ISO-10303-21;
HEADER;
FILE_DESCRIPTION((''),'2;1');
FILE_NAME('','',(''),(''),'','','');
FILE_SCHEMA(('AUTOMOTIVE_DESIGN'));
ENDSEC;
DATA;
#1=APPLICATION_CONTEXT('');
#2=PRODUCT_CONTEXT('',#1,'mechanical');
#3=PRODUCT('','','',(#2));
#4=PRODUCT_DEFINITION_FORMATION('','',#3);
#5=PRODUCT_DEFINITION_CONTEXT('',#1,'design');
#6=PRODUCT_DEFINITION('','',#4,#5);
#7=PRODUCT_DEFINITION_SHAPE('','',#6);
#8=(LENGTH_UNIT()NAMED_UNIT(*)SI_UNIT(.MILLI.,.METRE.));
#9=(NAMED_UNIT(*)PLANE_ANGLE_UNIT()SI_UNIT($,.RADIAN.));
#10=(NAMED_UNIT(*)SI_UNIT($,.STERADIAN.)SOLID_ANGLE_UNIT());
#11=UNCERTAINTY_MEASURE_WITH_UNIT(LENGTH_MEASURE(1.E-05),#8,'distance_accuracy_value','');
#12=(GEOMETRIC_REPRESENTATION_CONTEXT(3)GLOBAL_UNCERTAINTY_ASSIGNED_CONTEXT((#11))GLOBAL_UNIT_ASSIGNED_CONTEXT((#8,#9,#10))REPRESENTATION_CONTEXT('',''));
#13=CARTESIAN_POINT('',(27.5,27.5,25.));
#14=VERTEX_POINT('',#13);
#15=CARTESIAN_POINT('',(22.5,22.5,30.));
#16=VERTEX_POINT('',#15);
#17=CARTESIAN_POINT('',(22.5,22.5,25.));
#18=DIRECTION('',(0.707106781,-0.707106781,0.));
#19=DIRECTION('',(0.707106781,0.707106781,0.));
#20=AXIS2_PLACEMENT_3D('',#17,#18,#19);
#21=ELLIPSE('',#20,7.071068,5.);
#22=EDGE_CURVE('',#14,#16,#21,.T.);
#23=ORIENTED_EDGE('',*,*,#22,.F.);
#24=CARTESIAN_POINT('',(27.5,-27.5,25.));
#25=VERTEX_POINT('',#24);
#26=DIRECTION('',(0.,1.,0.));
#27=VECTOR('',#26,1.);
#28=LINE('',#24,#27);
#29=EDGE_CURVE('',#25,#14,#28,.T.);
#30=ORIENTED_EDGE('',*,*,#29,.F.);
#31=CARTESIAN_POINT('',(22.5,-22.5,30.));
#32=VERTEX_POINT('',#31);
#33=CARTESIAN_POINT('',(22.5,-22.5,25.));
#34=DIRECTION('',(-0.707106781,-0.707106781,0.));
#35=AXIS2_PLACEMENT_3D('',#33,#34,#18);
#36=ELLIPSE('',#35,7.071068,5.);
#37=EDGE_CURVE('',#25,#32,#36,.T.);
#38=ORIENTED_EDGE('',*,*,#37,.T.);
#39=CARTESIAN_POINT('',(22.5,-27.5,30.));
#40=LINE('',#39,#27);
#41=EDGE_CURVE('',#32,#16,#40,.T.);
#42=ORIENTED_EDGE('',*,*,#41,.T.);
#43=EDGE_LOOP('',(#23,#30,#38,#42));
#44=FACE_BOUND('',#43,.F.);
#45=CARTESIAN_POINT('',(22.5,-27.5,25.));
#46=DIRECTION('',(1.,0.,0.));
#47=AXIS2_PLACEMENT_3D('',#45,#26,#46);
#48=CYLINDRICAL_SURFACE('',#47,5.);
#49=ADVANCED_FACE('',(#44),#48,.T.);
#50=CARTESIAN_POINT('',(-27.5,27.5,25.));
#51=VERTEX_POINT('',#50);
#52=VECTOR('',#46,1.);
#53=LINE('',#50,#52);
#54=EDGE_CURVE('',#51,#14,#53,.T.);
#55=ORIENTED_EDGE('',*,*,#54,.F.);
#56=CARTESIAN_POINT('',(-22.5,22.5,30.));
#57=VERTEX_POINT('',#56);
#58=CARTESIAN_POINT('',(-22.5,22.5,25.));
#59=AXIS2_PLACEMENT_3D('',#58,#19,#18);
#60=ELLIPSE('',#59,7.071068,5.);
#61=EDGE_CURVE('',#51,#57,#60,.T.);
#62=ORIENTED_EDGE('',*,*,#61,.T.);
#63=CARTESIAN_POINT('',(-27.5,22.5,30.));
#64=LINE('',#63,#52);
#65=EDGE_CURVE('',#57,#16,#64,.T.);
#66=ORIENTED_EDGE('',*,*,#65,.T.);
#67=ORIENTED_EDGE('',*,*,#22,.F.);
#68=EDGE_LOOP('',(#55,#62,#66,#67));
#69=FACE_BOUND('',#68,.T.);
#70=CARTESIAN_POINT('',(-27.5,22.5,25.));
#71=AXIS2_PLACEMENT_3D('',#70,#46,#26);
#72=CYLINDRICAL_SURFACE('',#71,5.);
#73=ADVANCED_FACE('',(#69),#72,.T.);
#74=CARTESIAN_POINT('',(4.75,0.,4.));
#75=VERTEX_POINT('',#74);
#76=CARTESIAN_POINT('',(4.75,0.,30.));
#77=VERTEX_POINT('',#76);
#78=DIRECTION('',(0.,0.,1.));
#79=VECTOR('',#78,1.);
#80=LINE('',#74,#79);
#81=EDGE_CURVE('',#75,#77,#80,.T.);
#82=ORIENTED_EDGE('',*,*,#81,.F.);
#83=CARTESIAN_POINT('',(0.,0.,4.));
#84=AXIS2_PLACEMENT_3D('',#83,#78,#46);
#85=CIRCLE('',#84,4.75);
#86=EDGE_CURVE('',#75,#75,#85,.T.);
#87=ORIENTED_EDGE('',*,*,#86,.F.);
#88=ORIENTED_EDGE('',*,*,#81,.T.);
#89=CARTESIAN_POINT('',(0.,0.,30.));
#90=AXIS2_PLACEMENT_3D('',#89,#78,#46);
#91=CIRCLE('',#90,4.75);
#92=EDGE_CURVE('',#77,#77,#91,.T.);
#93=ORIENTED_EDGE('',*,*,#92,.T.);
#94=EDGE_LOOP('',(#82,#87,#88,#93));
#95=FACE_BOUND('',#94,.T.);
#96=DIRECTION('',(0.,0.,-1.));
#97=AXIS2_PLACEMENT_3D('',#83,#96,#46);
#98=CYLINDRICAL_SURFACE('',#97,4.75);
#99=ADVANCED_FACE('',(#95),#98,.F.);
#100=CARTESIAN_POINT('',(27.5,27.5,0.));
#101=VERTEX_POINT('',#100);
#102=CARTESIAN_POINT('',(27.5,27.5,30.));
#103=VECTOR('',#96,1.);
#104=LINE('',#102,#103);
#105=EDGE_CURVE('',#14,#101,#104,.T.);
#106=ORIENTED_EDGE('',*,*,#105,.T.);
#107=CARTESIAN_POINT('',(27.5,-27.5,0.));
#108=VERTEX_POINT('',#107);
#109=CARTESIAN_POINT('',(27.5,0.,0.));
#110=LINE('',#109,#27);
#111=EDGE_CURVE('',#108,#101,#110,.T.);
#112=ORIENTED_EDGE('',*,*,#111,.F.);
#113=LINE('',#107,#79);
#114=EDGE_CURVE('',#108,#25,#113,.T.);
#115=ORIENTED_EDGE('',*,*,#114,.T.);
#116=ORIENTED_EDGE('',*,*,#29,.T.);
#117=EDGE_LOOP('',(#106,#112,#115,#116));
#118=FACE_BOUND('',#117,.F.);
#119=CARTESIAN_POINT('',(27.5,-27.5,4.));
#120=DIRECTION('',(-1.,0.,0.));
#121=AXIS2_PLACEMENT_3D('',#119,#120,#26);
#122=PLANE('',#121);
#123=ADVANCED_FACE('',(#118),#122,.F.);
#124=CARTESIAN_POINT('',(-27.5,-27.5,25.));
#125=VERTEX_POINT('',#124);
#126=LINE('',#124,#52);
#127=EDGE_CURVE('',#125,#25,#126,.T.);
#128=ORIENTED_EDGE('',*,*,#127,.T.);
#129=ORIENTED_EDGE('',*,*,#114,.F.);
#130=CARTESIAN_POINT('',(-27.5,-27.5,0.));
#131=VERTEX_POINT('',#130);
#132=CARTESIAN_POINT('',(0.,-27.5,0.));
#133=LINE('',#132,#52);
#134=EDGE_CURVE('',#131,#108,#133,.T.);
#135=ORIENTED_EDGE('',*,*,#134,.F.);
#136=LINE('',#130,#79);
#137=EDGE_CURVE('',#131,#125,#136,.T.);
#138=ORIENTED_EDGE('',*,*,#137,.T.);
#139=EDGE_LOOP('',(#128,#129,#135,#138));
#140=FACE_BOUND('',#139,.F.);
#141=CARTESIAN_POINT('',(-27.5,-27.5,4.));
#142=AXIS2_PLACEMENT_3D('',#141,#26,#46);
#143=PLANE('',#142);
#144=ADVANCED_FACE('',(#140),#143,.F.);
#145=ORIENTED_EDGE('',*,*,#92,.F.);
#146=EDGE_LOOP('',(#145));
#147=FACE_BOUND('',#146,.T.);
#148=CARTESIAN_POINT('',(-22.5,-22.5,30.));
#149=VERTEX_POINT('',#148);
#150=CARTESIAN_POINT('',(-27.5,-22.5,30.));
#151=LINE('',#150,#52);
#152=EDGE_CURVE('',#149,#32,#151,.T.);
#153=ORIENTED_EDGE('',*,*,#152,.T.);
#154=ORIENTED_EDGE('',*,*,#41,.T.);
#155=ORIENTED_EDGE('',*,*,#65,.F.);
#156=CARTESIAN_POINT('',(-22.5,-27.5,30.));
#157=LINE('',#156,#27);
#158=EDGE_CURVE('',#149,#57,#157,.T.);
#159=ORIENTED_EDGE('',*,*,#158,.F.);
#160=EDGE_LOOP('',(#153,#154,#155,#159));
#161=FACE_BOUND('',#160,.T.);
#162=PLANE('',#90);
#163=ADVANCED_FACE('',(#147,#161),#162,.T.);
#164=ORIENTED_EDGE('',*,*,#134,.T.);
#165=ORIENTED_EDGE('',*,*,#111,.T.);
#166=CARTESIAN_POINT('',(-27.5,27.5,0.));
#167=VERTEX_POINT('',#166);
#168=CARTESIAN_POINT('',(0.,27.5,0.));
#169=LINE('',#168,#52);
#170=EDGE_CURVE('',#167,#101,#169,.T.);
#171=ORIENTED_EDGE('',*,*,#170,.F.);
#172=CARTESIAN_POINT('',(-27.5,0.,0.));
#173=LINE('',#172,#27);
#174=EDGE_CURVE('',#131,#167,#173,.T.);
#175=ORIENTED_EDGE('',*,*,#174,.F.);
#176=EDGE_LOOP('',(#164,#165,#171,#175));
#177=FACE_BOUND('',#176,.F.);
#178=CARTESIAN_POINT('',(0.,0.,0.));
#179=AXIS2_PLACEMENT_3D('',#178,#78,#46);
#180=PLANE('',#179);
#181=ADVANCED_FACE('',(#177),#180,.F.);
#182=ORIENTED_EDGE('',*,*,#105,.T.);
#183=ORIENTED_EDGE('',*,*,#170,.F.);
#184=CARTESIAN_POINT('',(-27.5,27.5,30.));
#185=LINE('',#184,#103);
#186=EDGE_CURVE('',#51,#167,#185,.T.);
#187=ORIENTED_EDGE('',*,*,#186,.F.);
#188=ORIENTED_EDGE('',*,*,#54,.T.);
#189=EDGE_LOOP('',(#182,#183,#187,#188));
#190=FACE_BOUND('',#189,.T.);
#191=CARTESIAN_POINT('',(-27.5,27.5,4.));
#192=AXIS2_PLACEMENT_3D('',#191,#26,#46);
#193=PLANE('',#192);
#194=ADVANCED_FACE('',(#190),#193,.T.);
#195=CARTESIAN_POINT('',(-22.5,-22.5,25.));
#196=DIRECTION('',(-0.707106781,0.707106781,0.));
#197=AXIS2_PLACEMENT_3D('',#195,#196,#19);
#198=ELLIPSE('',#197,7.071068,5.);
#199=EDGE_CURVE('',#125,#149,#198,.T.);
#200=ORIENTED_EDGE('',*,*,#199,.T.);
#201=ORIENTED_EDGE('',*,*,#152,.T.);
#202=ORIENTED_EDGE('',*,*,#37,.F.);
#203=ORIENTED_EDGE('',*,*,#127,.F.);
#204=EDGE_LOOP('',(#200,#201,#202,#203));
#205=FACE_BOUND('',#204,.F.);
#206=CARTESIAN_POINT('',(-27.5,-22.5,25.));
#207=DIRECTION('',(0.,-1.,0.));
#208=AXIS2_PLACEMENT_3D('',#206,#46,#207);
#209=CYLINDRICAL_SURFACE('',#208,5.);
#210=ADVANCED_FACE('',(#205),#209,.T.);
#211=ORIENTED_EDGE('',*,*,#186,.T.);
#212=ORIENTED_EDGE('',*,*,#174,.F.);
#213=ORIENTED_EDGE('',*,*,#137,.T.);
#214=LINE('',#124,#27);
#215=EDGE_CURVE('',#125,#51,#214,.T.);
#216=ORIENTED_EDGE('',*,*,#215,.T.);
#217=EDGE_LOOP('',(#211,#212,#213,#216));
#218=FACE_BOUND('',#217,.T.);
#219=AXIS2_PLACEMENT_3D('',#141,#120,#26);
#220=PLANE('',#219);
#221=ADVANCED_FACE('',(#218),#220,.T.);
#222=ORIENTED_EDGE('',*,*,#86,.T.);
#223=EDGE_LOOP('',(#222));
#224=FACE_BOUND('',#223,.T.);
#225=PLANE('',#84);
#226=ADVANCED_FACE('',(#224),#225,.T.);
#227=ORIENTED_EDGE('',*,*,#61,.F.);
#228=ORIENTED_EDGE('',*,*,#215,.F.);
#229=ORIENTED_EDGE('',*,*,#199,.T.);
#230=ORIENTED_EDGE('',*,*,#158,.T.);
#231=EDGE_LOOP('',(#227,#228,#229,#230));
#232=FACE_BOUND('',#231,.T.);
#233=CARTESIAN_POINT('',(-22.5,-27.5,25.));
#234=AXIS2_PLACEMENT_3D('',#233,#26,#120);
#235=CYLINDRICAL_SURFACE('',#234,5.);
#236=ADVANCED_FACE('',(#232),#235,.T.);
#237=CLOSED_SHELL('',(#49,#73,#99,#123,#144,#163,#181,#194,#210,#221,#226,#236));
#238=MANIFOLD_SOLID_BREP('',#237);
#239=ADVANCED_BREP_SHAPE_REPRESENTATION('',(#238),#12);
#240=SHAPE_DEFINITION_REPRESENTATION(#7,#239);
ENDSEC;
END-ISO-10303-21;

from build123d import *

# Parameters (mm, degrees)
F0_W     = 55
F0_H     = 55
F1_DEPTH = 4
F2_W     = 55
F2_H     = 55
F2_R     = 4.75
F3_DEPTH = 26
F4_R     = 5


with BuildPart() as f1:
    # F0 (on Top) → F1 (new body)
    with BuildSketch(Plane.XY):
        Rectangle(F0_W, F0_H)
    extrude(amount=F1_DEPTH)

    # F2 (on face) → F3 (join)
    with BuildSketch(Plane.XY.offset(4)):
        Rectangle(F2_W, F2_H)
        Circle(F2_R, mode=Mode.SUBTRACT)
    extrude(amount=F3_DEPTH)

    # F4
    f4_edges = [f1.edges().sort_by_distance(p)[0] for p in [
        (0, 27.5, 30),
        (-27.5, 0, 30),
        (0, -27.5, 30),
        (27.5, 0, 30),
    ]]
    fillet(f4_edges, radius=F4_R)


solid = f1.part
